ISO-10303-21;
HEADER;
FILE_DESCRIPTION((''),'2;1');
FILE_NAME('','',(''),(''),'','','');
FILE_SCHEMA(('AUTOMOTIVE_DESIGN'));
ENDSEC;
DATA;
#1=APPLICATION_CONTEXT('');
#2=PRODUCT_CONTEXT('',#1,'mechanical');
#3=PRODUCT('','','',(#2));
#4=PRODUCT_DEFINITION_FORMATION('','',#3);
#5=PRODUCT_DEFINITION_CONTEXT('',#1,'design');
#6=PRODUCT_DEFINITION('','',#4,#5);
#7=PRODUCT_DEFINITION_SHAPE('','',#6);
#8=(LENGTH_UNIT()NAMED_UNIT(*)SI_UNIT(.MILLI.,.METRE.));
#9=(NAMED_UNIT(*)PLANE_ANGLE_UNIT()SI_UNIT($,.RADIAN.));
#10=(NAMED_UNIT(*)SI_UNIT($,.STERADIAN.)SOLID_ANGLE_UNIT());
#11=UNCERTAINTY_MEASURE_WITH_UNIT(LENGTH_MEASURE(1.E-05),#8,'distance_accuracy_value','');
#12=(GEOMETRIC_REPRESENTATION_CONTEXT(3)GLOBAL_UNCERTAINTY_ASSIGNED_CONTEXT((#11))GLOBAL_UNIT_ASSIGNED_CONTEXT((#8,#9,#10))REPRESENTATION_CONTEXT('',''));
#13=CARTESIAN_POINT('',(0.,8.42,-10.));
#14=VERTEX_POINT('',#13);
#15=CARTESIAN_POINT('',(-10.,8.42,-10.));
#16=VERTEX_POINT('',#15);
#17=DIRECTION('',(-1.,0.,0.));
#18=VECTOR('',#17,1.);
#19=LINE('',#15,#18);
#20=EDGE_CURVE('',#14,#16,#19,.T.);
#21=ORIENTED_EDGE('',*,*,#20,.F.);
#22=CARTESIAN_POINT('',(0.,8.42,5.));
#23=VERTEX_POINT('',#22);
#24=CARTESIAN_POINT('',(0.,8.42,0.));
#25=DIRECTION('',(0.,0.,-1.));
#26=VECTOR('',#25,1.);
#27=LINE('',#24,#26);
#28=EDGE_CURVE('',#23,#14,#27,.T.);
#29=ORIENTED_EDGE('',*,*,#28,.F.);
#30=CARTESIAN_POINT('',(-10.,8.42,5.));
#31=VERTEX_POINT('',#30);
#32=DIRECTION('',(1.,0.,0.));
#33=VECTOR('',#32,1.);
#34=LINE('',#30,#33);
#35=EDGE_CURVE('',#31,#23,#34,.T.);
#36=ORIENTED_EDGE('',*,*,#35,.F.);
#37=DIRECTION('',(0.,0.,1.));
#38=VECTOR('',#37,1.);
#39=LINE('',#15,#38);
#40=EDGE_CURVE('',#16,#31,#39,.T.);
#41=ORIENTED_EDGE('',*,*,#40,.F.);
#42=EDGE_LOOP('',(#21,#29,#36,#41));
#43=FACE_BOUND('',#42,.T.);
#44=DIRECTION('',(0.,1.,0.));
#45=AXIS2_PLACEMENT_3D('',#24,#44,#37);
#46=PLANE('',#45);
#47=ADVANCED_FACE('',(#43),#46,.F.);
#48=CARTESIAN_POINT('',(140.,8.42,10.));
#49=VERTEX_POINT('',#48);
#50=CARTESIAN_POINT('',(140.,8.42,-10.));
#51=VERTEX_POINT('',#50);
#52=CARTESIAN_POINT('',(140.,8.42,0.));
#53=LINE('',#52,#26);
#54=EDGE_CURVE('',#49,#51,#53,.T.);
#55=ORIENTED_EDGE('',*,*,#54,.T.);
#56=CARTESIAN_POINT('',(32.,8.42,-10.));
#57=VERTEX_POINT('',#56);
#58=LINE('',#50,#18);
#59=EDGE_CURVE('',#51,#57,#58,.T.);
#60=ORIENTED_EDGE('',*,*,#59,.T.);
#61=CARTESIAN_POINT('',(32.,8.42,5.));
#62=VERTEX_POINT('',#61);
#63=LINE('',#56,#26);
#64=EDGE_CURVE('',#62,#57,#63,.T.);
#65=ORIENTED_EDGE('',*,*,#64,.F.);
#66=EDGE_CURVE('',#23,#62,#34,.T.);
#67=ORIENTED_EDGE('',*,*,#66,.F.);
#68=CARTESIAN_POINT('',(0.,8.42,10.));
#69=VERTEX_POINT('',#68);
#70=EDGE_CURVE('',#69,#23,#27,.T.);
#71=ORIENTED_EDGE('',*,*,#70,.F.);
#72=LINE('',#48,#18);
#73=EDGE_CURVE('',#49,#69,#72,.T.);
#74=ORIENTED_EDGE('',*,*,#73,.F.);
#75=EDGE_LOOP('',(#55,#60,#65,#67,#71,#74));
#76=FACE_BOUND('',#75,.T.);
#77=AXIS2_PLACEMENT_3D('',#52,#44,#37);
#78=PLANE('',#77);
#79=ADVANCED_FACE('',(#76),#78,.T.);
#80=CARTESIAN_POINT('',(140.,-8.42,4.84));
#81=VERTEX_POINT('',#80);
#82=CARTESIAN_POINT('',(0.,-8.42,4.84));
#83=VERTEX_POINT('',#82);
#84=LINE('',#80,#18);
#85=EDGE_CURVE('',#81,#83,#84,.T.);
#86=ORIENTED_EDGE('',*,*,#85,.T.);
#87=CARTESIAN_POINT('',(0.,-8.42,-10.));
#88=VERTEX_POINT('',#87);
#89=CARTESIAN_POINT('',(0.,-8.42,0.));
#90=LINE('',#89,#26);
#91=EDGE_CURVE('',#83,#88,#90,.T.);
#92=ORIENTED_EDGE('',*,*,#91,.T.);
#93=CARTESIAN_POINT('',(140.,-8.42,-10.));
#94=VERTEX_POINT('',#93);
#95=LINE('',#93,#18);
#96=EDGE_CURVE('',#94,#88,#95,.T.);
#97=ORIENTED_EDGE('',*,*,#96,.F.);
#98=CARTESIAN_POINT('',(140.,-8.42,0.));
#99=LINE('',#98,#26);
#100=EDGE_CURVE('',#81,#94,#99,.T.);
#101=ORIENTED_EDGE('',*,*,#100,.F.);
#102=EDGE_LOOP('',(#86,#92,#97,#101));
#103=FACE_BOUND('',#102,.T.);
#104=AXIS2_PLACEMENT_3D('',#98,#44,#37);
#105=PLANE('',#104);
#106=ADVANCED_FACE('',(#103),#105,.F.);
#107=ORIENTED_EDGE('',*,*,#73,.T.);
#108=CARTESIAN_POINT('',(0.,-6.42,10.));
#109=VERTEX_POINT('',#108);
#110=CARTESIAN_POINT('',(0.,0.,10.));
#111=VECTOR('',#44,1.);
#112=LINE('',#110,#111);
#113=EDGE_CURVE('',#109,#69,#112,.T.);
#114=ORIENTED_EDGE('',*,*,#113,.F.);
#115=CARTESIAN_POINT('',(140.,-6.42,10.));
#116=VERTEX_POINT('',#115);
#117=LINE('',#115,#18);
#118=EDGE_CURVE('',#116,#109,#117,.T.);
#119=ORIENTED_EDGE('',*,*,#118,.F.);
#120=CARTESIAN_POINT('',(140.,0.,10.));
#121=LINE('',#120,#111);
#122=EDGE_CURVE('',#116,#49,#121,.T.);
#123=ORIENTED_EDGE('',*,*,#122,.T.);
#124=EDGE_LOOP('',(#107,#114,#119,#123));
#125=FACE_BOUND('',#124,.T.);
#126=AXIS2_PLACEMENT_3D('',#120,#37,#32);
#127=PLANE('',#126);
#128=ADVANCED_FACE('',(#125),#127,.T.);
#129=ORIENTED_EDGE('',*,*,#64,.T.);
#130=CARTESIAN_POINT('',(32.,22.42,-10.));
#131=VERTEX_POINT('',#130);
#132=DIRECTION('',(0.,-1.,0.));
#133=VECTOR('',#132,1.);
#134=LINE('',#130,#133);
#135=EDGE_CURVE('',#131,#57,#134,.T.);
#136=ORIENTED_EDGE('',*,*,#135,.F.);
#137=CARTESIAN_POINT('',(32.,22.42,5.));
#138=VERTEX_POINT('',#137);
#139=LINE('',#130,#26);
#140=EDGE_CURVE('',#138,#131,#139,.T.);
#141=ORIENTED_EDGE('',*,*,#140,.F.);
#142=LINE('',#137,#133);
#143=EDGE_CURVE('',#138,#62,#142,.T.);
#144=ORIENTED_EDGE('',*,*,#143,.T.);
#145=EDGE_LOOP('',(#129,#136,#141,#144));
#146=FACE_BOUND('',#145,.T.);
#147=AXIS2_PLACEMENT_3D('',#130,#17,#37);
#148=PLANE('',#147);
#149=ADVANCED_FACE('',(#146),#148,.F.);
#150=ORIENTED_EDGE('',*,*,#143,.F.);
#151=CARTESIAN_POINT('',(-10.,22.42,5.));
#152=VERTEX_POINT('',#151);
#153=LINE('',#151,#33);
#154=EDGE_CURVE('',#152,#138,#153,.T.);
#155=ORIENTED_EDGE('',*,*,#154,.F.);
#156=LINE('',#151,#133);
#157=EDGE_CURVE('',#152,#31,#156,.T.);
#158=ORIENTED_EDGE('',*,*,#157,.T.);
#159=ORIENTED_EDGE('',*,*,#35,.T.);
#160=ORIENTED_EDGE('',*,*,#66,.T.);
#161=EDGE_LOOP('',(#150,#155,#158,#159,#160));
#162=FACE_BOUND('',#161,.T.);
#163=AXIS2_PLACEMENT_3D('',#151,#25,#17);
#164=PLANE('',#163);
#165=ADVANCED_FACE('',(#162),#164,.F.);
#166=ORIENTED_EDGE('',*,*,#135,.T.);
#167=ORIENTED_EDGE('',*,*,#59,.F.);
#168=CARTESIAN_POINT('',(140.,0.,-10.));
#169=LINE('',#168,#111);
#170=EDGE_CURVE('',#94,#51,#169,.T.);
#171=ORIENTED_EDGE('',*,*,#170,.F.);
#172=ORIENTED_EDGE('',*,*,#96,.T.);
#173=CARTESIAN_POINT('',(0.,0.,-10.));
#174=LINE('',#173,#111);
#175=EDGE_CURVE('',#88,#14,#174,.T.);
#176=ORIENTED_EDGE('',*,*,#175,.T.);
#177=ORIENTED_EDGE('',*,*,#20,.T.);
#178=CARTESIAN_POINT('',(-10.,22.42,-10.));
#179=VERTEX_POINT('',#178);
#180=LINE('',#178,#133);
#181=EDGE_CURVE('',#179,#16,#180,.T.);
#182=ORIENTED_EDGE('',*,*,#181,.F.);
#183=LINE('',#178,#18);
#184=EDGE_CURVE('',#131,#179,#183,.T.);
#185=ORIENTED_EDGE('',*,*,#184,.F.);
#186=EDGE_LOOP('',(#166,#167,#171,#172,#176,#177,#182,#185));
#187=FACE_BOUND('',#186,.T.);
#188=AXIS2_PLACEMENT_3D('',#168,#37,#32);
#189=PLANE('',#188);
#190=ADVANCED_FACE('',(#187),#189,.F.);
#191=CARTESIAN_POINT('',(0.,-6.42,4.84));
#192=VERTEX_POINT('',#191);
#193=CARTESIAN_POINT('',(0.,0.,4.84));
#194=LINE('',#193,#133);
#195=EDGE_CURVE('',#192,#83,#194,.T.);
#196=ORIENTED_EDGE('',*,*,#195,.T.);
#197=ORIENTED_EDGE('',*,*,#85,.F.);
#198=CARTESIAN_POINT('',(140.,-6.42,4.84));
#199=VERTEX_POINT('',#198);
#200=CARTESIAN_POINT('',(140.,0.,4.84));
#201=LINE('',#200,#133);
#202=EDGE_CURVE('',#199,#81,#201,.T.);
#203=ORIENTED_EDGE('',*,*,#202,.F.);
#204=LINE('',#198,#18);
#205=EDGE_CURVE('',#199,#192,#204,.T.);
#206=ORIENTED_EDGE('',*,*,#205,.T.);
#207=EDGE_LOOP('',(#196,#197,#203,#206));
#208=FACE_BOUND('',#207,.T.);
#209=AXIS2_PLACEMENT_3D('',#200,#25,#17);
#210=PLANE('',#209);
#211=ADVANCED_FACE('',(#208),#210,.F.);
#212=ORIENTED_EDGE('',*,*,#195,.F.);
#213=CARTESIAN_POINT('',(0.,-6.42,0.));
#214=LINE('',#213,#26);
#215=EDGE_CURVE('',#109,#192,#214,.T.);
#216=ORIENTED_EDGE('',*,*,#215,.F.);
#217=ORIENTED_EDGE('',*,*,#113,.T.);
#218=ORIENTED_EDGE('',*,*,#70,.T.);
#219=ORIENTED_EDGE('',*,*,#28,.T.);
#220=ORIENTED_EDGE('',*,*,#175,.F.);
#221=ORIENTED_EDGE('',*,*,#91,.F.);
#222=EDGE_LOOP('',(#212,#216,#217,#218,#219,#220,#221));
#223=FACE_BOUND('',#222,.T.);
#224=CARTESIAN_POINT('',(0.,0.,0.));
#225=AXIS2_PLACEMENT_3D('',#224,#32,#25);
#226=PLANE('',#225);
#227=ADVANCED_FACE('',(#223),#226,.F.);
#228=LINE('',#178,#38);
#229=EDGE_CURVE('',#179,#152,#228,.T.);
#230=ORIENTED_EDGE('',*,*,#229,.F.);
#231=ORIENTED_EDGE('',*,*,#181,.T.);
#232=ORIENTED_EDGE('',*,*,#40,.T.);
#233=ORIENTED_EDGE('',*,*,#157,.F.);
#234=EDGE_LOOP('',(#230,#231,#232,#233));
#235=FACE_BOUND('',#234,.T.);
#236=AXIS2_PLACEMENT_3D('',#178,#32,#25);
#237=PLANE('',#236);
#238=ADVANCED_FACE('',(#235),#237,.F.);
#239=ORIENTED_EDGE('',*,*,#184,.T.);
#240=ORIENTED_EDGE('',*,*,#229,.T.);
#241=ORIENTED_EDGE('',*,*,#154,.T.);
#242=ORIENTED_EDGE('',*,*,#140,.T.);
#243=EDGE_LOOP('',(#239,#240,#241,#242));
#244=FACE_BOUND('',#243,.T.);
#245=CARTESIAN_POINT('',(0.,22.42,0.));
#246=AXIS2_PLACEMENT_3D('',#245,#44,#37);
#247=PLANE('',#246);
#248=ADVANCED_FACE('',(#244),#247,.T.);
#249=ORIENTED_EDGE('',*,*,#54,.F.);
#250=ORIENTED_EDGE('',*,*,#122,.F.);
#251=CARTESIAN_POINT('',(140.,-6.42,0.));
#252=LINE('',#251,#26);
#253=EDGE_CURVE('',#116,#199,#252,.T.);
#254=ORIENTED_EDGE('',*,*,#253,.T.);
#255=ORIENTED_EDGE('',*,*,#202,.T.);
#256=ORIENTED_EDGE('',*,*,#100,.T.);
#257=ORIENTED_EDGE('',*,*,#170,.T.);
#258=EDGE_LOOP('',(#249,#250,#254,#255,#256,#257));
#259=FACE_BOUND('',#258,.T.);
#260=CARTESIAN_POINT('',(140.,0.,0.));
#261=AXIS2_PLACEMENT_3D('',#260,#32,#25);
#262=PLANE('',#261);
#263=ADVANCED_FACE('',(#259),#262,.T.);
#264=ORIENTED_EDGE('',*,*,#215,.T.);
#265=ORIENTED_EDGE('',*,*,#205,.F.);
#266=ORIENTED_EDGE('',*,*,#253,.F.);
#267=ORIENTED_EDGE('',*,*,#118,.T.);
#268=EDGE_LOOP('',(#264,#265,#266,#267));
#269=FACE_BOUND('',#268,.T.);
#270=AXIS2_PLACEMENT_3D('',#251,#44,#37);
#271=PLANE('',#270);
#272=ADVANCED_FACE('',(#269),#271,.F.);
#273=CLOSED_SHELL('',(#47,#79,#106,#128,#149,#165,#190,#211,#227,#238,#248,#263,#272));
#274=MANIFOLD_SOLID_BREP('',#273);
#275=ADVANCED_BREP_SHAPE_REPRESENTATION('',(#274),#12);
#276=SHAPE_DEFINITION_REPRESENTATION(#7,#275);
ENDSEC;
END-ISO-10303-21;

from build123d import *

# Parameters (mm, degrees)
BOSS_EXTRUDE1_DEPTH = 140
SKETCH2_W           = 42
SKETCH2_H           = 15
BOSS_EXTRUDE2_DEPTH = 14


with BuildPart() as part:
    # Sketch1 → Boss-Extrude1 (new body)
    with BuildSketch(Plane(origin=(0, 0, 0), x_dir=(0, 0, -1), z_dir=(1, 0, 0))):
        Polygon((-10, 8.42), (-10, -6.42), (-4.84, -6.42), (-4.84, -8.42), (10, -8.42), (10, 8.42), align=None)
    extrude(amount=BOSS_EXTRUDE1_DEPTH)

    # Sketch2 → Boss-Extrude2 (add)
    with BuildSketch(Plane(origin=(0, 8.42, 0), x_dir=(1, 0, 0), z_dir=(0, 1, 0))):
        with Locations((11, 2.5)):
            Rectangle(SKETCH2_W, SKETCH2_H)
    extrude(amount=BOSS_EXTRUDE2_DEPTH)


solid = part.part
